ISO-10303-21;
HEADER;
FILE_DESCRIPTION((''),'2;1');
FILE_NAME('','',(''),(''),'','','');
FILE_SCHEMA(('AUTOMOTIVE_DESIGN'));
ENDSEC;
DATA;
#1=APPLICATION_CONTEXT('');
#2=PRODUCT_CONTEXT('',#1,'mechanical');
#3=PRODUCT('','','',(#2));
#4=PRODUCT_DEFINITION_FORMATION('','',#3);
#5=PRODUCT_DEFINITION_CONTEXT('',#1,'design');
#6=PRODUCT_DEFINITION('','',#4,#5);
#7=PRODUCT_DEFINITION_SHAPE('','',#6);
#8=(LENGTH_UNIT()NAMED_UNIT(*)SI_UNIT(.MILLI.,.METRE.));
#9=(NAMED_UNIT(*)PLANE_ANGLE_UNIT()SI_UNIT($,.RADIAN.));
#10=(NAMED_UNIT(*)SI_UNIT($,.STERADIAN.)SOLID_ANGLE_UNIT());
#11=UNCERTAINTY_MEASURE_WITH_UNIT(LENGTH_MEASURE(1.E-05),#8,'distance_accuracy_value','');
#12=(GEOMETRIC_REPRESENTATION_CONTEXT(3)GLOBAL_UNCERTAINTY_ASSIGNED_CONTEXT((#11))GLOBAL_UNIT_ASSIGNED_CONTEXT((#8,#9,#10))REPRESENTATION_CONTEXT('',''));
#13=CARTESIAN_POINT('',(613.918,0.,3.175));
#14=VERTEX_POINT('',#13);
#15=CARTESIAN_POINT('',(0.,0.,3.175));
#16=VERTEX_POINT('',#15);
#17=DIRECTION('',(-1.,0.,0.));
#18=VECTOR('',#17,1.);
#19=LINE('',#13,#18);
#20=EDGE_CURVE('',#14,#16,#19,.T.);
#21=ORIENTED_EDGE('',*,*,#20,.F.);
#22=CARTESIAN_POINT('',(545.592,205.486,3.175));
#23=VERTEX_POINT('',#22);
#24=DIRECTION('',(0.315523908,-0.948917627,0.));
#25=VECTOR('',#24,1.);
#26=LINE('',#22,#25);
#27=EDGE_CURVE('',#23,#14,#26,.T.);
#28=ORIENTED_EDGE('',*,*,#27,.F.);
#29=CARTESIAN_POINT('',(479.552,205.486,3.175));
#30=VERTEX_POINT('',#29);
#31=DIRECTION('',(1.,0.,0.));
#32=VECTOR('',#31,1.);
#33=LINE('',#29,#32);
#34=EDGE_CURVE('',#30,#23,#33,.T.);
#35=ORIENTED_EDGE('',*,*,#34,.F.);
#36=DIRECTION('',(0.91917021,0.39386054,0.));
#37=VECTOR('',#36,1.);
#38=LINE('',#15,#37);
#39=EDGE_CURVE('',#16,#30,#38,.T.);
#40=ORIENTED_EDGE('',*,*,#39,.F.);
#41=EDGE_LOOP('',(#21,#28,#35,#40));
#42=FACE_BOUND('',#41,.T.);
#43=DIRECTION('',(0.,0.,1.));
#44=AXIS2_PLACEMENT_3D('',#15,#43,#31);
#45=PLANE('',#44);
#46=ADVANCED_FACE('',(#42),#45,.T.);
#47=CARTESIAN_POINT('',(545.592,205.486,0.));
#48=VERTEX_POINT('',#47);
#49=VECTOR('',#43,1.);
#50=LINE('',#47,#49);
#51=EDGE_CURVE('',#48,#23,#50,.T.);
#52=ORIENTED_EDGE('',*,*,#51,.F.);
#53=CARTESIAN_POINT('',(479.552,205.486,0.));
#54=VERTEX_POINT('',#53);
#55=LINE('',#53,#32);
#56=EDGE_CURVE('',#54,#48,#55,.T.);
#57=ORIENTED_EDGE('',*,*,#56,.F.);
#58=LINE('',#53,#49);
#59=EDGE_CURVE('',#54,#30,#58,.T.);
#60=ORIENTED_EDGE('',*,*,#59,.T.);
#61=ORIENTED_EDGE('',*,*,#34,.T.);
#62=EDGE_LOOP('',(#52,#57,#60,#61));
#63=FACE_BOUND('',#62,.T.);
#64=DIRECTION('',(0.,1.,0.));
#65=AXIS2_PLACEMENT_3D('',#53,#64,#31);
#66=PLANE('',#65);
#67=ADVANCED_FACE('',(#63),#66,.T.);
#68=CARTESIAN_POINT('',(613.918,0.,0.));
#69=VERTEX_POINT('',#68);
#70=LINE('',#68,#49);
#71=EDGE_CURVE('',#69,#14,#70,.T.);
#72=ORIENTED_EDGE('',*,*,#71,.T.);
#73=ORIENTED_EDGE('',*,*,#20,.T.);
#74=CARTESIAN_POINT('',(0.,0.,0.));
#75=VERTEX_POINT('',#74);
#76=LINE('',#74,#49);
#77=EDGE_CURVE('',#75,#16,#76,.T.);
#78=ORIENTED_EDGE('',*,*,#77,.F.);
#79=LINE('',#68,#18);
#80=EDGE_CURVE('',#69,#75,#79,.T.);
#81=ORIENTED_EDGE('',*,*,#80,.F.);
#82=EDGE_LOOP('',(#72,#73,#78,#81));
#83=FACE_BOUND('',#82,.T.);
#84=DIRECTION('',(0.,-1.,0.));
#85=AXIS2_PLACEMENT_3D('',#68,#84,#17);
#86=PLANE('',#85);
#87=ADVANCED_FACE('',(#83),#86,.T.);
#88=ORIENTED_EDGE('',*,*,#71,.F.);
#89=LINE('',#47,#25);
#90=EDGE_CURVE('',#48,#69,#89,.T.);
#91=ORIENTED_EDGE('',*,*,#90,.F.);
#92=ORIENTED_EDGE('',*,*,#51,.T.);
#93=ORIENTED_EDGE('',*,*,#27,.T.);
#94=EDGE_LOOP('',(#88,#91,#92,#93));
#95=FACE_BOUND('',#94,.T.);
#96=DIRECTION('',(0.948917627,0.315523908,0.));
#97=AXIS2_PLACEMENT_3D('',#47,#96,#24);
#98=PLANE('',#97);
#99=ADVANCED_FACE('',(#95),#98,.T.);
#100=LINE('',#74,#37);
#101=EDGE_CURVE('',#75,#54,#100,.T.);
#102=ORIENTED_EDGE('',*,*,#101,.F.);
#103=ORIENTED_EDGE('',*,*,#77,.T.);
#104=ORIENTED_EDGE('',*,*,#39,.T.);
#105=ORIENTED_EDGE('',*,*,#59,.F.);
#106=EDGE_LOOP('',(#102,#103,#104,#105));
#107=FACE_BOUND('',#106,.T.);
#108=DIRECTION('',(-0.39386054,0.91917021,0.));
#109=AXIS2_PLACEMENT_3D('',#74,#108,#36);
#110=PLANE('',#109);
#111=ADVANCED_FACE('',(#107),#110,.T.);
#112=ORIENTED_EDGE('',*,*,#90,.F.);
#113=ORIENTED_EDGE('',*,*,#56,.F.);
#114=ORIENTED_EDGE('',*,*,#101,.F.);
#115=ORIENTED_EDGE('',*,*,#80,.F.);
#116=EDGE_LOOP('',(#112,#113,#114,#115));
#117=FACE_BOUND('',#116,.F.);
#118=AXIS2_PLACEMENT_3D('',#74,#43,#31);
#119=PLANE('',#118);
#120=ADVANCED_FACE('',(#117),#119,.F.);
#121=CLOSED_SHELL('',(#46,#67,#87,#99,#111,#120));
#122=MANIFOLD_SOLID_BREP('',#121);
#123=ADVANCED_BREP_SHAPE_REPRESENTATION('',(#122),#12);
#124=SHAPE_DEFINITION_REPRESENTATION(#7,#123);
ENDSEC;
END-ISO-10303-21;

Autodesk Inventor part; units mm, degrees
ref_plane "YZ Plane" through (0, 0, 0) normal (1, 0, 0) x (0, 1, 0)
ref_plane "XZ Plane" through (0, 0, 0) normal (0, 1, 0) x (-1, 0, 0)
ref_plane "XY Plane" through (0, 0, 0) normal (0, 0, 1) x (1, 0, 0)
sketch "Sketch1" plane through (0, 0, 0) normal (0, 0, 1) x (1, 0, 0)
  line L0 (0, 0) -> (479.552, 205.486)
  line L1 (479.552, 205.486) -> (545.592, 205.486)
  line L2 (545.592, 205.486) -> (613.918, 0)
  line L3 (613.918, 0) -> (0, 0)
  dimension "d0" = 613.918
  dimension "d1" = 479.552
  dimension "d2" = 205.486
  dimension "d3" = 66.04
extrude "Extrusion1" add sketch "Sketch1" along normal blind 3.175
properties part number "fin" material "CFRP"
